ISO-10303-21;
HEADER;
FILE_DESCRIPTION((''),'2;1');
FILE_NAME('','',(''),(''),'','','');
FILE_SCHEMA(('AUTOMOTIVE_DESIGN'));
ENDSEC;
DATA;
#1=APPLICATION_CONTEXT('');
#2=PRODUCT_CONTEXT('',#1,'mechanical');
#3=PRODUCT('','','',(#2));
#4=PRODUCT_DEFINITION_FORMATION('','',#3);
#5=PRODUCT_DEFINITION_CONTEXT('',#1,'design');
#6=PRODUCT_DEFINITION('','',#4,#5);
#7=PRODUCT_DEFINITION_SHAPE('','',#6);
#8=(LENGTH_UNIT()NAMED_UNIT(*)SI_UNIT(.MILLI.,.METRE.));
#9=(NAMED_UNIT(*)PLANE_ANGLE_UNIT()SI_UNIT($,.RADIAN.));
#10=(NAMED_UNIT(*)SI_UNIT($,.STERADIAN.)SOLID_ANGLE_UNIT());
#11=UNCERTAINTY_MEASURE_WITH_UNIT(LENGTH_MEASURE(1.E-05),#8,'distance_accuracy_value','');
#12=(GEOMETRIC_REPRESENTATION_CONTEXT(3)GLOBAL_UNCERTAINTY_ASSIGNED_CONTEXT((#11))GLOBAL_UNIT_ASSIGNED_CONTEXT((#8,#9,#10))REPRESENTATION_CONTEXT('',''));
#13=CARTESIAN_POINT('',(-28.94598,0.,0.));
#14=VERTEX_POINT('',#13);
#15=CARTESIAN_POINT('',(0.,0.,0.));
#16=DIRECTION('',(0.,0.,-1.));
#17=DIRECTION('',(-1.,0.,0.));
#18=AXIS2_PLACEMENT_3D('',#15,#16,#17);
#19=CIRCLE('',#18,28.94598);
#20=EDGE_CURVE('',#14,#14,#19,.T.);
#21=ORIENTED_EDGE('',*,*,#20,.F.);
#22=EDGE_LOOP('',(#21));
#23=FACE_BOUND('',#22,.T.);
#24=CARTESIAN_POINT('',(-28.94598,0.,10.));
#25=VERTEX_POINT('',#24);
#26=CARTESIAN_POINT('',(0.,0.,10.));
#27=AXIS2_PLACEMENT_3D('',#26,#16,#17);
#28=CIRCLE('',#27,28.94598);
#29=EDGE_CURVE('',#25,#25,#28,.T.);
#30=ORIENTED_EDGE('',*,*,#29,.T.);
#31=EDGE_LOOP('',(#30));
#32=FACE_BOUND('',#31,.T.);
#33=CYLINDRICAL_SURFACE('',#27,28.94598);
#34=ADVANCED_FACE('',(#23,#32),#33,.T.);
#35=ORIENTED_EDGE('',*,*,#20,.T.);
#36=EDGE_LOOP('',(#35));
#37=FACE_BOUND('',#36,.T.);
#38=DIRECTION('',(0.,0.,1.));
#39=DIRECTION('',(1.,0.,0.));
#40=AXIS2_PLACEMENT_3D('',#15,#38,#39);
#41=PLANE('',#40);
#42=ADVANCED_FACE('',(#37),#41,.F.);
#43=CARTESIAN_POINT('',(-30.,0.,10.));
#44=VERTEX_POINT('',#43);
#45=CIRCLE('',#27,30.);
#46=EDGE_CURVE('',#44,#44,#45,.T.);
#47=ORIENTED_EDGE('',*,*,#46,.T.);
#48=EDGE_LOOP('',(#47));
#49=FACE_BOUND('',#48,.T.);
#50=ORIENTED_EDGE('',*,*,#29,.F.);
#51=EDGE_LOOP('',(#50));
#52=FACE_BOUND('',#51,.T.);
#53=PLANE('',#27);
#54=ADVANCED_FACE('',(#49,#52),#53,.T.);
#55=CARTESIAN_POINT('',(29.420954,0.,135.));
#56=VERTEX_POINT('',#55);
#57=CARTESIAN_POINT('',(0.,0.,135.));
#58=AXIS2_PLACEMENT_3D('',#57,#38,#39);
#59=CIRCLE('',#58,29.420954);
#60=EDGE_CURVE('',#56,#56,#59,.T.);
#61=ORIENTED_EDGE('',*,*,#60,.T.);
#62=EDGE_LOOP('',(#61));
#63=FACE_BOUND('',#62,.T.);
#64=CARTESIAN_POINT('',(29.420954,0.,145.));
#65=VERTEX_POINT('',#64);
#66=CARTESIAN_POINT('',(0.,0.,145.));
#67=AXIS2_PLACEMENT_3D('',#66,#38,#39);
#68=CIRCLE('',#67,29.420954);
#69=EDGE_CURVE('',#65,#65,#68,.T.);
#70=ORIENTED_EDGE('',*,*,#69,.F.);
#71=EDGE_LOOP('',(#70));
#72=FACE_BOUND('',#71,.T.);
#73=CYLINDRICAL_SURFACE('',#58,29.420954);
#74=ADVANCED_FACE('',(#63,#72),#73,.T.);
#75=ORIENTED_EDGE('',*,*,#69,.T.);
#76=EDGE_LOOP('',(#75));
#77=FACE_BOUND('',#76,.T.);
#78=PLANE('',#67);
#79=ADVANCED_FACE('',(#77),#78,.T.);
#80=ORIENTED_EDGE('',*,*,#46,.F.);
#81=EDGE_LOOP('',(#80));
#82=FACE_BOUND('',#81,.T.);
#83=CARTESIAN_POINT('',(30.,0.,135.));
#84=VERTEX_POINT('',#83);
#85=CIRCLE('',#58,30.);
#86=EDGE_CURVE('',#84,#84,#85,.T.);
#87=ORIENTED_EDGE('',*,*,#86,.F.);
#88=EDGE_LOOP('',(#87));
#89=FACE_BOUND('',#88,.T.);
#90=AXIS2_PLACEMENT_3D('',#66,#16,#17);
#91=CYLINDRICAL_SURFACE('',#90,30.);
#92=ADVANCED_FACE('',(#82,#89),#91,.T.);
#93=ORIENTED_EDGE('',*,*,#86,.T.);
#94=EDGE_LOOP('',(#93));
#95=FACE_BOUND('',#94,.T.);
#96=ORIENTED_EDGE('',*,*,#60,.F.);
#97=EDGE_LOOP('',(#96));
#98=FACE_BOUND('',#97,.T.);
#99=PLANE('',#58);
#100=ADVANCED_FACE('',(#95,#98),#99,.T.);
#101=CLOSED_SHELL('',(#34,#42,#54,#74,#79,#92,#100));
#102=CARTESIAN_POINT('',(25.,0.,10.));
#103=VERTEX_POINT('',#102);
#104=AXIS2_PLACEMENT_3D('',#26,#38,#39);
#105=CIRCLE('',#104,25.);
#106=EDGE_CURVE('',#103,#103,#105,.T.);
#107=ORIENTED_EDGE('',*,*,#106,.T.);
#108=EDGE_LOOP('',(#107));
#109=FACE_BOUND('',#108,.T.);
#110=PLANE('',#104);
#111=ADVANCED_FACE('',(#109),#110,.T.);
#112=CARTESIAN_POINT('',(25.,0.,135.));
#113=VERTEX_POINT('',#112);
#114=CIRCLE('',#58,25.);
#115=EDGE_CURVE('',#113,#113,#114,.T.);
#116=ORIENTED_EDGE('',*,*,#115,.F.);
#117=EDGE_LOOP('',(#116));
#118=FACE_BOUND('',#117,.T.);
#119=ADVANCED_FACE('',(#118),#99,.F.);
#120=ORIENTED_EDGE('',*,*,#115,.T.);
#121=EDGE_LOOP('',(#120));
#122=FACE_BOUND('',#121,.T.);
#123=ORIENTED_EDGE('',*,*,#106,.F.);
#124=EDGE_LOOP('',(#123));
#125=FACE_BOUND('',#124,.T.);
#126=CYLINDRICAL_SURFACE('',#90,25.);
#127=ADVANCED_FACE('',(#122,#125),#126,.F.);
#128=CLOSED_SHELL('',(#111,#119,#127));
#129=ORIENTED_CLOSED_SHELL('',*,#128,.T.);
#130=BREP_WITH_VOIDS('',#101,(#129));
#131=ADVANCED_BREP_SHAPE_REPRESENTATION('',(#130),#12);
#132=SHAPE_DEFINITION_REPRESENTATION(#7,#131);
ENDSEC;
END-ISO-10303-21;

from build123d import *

# Parameters (mm, degrees)
SKETCH1_R           = 30
SKETCH1_R_2         = 25
BOSS_EXTRUDE1_DEPTH = 145
SKETCH2_R           = 25
BOSS_EXTRUDE2_DEPTH = 10
SKETCH3_R           = 25
BOSS_EXTRUDE3_DEPTH = 10
SKETCH11_R          = 30
SKETCH11_R_2        = 28.945980101
CUT_EXTRUDE2_DEPTH  = 10
SKETCH12_R          = 30
SKETCH12_R_2        = 29.420954363
CUT_EXTRUDE3_DEPTH  = 10


with BuildPart() as part:
    # Sketch1 → Boss-Extrude1 (new body)
    with BuildSketch(Plane.XY):
        Circle(SKETCH1_R)
        Circle(SKETCH1_R_2, mode=Mode.SUBTRACT)
    extrude(amount=BOSS_EXTRUDE1_DEPTH)

    # Sketch2 → Boss-Extrude2 (add)
    with BuildSketch(Plane.XY):
        Circle(SKETCH2_R)
    extrude(amount=BOSS_EXTRUDE2_DEPTH)

    # Sketch3 → Boss-Extrude3 (add)
    with BuildSketch(Plane.XY.offset(135)):
        Circle(SKETCH3_R)
    extrude(amount=BOSS_EXTRUDE3_DEPTH)

    # Sketch11 → Cut-Extrude2 (cut)
    with BuildSketch(Plane(origin=(0, 0, 0), x_dir=(-1, 0, 0), z_dir=(0, 0, -1))):
        Circle(SKETCH11_R)
        Circle(SKETCH11_R_2, mode=Mode.SUBTRACT)
    extrude(amount=-CUT_EXTRUDE2_DEPTH, mode=Mode.SUBTRACT)

    # Sketch12 → Cut-Extrude3 (cut)
    with BuildSketch(Plane.XY.offset(145)):
        Circle(SKETCH12_R)
        Circle(SKETCH12_R_2, mode=Mode.SUBTRACT)
    extrude(amount=-CUT_EXTRUDE3_DEPTH, mode=Mode.SUBTRACT)


solid = part.part
